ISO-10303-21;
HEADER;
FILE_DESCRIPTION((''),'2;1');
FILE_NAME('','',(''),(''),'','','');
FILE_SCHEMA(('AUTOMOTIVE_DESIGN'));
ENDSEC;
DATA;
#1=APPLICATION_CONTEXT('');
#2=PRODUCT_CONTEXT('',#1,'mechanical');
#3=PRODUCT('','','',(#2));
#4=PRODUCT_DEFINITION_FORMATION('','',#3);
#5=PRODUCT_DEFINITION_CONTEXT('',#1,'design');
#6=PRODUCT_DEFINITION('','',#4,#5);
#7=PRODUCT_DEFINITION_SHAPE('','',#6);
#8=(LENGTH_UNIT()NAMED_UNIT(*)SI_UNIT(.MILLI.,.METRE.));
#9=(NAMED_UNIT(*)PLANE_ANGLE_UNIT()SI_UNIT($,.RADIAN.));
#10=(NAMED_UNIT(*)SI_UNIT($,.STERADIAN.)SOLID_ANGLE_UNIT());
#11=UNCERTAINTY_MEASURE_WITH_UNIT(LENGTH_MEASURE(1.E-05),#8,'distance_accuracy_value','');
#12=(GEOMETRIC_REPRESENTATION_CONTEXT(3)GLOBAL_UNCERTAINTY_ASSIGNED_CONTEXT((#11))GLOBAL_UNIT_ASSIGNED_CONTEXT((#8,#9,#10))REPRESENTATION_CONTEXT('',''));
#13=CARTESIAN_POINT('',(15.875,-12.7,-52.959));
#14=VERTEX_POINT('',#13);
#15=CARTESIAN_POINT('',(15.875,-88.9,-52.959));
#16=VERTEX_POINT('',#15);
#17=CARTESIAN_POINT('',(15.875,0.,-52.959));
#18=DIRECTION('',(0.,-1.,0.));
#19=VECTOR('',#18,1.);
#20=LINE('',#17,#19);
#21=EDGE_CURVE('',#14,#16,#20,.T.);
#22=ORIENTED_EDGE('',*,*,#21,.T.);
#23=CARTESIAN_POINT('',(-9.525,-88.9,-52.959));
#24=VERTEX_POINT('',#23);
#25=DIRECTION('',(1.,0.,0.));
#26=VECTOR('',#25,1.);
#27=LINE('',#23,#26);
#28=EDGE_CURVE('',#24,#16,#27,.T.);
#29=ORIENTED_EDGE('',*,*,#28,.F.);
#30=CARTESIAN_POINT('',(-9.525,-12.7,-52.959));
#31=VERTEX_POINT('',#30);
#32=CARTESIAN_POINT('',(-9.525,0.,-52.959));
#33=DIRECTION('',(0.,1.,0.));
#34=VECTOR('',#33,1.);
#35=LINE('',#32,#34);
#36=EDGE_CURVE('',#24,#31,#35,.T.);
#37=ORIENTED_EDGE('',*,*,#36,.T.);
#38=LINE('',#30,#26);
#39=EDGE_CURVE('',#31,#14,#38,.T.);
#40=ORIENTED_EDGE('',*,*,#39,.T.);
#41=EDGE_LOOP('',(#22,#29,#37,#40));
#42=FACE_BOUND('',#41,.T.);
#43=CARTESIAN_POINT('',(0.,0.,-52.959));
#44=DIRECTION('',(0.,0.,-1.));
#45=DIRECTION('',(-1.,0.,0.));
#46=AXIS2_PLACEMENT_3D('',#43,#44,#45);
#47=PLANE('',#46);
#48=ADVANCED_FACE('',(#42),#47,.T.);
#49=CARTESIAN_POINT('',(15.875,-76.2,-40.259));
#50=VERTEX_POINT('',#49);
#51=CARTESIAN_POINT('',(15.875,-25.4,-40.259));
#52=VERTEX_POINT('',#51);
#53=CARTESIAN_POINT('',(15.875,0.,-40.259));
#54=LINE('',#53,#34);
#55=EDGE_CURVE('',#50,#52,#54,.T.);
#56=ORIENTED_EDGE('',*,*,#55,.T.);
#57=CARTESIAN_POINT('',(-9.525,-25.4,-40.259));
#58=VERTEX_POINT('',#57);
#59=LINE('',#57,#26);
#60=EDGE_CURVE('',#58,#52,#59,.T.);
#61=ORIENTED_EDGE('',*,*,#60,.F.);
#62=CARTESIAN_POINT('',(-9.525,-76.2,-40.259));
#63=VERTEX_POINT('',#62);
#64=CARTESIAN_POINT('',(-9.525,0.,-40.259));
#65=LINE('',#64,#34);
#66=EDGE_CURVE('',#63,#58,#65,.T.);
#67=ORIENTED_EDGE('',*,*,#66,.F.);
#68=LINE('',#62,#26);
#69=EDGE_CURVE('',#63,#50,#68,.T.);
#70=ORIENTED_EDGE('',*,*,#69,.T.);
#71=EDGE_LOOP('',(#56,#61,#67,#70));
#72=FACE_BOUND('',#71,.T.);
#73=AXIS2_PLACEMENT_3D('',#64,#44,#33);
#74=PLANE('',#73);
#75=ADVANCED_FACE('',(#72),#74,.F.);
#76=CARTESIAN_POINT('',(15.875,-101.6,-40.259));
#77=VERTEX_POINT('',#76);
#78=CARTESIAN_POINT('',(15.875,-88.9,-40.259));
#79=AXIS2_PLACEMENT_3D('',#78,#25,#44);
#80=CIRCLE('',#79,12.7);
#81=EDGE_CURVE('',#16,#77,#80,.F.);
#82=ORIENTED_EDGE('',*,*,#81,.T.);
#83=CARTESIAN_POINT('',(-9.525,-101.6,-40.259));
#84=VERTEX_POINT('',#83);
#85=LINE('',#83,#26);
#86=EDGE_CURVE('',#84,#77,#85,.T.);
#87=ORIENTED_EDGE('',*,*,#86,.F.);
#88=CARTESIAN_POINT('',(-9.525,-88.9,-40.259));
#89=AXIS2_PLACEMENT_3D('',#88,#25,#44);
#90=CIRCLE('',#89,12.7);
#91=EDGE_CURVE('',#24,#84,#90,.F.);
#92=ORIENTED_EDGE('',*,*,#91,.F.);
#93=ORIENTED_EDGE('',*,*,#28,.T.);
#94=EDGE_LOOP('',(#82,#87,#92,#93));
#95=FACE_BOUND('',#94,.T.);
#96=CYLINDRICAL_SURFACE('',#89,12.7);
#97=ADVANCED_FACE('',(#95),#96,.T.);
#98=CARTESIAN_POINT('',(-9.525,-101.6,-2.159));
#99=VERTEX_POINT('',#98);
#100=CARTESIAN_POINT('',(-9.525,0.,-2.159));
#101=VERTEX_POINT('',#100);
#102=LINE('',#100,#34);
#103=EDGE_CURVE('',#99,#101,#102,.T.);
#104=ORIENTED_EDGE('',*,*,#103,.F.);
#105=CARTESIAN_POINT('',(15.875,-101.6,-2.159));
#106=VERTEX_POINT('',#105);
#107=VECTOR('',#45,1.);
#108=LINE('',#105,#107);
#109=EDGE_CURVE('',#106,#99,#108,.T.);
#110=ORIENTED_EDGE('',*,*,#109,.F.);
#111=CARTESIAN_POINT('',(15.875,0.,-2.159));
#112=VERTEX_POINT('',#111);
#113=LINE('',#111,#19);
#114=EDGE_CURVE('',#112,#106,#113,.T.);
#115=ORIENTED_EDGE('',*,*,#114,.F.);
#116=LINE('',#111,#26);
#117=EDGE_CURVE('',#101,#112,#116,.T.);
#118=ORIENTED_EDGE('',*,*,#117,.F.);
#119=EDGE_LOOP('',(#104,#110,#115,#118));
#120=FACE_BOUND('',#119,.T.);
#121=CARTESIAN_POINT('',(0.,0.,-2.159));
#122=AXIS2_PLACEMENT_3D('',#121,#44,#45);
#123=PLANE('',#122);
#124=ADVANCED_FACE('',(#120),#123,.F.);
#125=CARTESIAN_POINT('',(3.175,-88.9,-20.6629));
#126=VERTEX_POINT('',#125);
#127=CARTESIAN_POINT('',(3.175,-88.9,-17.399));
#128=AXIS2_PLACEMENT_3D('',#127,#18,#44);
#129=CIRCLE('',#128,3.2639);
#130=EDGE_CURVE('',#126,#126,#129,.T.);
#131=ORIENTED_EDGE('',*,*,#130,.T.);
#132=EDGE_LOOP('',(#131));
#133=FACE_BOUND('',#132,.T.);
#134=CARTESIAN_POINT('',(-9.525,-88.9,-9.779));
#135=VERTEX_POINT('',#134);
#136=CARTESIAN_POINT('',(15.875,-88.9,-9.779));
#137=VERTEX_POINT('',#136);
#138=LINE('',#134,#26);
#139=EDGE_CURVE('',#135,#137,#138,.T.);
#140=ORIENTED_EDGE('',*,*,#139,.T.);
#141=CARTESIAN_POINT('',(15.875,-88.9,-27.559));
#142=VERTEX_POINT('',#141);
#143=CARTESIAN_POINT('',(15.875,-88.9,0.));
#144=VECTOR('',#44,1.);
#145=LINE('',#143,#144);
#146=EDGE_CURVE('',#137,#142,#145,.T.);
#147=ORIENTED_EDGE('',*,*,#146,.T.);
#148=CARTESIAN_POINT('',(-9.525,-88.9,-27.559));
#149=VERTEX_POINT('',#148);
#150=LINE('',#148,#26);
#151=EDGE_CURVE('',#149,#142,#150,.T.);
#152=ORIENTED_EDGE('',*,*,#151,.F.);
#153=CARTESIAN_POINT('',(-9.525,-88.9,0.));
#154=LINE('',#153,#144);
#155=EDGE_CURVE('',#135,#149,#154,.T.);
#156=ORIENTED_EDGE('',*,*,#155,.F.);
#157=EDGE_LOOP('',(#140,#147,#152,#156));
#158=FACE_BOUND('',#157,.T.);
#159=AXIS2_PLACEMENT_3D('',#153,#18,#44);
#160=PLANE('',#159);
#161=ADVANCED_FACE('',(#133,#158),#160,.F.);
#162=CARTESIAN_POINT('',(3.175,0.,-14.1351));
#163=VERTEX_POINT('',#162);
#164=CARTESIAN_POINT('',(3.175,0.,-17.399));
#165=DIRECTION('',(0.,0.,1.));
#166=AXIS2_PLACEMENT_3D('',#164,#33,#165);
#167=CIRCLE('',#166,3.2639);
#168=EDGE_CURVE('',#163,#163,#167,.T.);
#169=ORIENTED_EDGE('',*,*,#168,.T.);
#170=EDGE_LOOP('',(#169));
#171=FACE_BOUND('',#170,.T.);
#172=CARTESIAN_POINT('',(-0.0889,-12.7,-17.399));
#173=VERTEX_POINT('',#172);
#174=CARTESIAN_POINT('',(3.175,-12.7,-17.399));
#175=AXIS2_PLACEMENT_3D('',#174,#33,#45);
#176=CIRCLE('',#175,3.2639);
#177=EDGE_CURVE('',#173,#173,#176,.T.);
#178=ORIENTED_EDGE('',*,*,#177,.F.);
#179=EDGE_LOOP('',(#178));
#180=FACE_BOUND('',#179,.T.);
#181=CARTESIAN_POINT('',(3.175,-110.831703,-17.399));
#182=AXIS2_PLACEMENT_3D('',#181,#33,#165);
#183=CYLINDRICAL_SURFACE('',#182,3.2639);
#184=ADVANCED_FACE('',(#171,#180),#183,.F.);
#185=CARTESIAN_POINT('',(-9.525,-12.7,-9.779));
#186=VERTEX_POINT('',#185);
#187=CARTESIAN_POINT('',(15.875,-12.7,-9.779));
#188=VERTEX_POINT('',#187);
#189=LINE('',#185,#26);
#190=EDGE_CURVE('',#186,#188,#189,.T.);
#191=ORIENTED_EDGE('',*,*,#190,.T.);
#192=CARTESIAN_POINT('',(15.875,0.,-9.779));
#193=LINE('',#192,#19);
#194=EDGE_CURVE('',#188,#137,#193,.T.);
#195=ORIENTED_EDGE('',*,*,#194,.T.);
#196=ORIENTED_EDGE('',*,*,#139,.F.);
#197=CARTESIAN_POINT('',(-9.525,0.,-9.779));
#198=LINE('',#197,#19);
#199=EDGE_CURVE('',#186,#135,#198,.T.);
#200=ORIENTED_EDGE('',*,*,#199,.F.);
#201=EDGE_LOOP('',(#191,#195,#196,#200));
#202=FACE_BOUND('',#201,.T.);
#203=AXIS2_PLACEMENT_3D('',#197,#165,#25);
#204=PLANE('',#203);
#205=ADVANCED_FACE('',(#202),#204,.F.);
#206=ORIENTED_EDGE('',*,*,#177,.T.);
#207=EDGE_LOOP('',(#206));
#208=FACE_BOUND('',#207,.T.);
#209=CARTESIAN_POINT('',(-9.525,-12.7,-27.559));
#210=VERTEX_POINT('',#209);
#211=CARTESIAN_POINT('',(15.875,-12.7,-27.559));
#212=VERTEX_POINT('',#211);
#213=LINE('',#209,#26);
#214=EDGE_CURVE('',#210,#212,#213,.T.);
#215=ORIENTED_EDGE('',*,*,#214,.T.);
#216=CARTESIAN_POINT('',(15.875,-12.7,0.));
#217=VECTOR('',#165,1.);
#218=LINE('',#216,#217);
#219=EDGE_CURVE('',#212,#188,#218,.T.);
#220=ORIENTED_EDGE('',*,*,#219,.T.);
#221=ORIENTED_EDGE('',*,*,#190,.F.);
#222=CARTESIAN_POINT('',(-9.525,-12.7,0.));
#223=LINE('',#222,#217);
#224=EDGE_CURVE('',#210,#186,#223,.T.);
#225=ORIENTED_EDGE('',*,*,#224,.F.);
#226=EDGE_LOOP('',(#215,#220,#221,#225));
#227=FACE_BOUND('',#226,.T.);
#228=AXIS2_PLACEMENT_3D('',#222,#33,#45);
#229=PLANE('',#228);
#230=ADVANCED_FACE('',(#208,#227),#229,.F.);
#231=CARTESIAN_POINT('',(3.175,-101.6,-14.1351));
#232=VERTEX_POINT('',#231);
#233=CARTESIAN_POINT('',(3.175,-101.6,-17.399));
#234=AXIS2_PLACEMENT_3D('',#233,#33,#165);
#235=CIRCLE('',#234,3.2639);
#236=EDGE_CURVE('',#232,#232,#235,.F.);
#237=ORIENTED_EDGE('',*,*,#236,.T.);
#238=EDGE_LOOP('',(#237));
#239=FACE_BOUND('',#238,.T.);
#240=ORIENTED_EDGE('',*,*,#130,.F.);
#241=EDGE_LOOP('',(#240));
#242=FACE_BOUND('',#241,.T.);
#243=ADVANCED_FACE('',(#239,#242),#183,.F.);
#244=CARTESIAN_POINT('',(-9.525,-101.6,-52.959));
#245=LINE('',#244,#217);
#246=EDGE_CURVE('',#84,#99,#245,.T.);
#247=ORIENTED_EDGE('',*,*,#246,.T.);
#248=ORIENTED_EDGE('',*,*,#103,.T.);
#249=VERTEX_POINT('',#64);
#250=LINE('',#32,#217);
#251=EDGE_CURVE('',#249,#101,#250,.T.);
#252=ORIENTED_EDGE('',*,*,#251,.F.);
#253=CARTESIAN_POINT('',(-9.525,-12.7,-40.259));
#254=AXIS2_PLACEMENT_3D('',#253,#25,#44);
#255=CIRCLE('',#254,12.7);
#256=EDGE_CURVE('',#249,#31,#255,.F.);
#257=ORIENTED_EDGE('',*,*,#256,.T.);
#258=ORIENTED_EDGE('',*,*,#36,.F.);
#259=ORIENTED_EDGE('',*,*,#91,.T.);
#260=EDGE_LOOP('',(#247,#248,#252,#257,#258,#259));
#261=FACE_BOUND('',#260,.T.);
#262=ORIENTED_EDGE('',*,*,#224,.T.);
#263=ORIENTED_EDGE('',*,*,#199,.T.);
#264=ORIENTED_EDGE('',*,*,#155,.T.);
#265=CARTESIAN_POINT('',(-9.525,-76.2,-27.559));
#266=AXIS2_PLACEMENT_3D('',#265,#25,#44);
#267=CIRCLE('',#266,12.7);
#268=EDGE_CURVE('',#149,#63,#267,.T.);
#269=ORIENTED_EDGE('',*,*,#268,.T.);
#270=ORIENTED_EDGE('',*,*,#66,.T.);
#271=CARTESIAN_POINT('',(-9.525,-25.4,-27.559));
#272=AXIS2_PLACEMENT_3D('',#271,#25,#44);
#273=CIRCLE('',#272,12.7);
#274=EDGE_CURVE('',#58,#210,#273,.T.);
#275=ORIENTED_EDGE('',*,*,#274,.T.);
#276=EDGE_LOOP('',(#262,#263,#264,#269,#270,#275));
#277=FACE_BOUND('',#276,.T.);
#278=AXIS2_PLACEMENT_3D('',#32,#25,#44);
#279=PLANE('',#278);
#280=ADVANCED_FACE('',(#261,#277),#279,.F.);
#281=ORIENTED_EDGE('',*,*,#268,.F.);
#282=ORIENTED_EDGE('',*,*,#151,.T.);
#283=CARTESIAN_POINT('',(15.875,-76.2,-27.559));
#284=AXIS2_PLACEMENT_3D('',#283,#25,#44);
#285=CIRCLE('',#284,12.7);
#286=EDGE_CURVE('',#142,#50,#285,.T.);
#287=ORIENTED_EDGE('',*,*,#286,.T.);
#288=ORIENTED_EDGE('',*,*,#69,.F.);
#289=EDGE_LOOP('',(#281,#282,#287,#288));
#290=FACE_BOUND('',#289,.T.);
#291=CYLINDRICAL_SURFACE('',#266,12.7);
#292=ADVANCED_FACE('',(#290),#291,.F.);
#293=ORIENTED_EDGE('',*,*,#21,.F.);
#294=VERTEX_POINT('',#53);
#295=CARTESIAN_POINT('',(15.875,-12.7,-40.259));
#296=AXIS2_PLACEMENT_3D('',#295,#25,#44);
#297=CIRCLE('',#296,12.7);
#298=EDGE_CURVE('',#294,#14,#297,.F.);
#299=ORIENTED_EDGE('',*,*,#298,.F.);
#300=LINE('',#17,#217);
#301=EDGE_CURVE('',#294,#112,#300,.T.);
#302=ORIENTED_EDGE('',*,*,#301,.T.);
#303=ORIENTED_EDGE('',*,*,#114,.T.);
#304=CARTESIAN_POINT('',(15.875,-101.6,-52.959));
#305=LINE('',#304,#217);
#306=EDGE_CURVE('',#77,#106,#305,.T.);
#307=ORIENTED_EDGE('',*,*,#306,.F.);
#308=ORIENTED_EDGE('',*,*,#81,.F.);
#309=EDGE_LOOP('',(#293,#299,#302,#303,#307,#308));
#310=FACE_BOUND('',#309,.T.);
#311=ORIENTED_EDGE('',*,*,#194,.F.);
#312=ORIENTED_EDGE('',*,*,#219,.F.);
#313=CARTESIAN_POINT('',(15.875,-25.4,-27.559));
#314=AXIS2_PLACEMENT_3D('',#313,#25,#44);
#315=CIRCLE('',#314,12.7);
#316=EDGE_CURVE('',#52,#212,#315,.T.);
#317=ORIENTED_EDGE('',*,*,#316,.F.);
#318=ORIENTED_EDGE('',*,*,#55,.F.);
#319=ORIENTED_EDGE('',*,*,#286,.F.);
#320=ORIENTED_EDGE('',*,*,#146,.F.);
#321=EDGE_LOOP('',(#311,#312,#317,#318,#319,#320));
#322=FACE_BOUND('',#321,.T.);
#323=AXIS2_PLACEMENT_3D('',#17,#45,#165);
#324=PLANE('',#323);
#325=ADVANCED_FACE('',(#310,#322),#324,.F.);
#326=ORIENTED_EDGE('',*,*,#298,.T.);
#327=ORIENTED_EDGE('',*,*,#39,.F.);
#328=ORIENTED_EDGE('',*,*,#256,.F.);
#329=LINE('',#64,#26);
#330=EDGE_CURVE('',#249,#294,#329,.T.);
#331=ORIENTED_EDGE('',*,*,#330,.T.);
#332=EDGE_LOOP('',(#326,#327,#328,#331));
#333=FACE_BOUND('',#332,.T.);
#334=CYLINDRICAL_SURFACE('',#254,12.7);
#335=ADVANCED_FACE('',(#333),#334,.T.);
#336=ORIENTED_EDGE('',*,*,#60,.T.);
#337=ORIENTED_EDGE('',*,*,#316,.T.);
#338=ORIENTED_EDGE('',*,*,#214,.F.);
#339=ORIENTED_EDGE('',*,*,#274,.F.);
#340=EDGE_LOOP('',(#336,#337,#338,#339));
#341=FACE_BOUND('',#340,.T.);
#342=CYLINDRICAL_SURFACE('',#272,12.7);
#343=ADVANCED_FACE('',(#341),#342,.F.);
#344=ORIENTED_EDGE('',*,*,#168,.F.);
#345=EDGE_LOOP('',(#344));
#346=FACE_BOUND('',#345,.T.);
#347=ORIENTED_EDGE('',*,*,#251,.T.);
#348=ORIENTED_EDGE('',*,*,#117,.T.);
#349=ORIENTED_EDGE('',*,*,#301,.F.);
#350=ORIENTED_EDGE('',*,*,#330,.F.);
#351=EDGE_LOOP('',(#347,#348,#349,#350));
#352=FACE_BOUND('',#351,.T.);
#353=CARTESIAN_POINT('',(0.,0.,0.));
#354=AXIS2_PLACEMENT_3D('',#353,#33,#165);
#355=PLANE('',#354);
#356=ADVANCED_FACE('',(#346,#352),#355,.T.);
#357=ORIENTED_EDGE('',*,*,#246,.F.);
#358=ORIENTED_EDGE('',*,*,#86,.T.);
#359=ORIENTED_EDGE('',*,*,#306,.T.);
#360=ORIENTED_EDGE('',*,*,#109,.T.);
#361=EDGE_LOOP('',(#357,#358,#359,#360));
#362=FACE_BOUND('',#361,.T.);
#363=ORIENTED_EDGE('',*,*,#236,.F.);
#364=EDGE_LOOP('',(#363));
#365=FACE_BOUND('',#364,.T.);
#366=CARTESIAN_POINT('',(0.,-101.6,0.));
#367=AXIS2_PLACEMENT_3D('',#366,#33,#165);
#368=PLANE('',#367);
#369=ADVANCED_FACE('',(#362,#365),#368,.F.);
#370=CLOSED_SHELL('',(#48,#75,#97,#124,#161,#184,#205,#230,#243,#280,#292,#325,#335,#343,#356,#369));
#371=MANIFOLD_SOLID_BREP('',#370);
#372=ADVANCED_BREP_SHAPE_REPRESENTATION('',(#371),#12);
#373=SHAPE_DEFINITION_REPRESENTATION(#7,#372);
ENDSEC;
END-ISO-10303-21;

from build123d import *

# Parameters (mm, degrees)
BOSS_EXTRUDE1_DEPTH     = 101.6
SKETCH3_W               = 25.4
SKETCH3_H               = 101.6
BOSS_EXTRUDE2_DEPTH     = 50.8
CUT_EXTRUDE2_DEPTH      = 25.4
SKETCH6_R               = 3.2639
CUT_EXTRUDE3_DEPTH      = 101.6
SKETCH7_W               = 15.875
SKETCH7_H               = 7.928770879
CUT_EXTRUDE4_DEPTH      = 1
CUT_EXTRUDE4_DEPTH_BACK = 102.6


with BuildPart() as part:
    # Sketch2 → Boss-Extrude1 (new body)
    with BuildSketch(Plane(origin=(0, 0, 0), x_dir=(1, 0, 0), z_dir=(0, 1, 0))):
        Polygon((0, 2.159), (0, 0), (-3.937, 0), (0, -5.769770879), (6.35, -5.769770879), (10.287, 0), (6.35, 0), (6.35, 2.159), align=None)
    extrude(amount=-BOSS_EXTRUDE1_DEPTH)

    # Sketch3 → Boss-Extrude2 (add)
    with BuildSketch(Plane(origin=(0, 0, -2.159), x_dir=(-1, 0, 0), z_dir=(0, 0, -1))):
        with Locations((-3.175, -50.8)):
            Rectangle(SKETCH3_W, SKETCH3_H)
    extrude(amount=BOSS_EXTRUDE2_DEPTH)

    # Sketch5 → Cut-Extrude2 (cut)
    with BuildSketch(Plane(origin=(15.875, 0, 0), x_dir=(0, 0, -1), z_dir=(1, 0, 0))):
        with BuildLine():
            ThreePointArc((52.959, -88.9), (49.239256121, -97.880256121), (40.259, -101.6))
            Line((40.259, -101.6), (52.959, -101.6))
            Line((52.959, -101.6), (52.959, -88.9))
        make_face()
        with BuildLine():
            Line((52.959, 0), (40.259, 0))
            ThreePointArc((40.259, 0), (49.239256121, -3.719743879), (52.959, -12.7))
            Line((52.959, -12.7), (52.959, 0))
        make_face()
        with BuildLine():
            Line((40.259, -76.2), (40.259, -25.4))
            ThreePointArc((40.259, -25.4), (36.539256121, -16.419743879), (27.559, -12.7))
            Line((27.559, -12.7), (9.779, -12.7))
            Line((9.779, -12.7), (9.779, -88.9))
            Line((9.779, -88.9), (27.559, -88.9))
            ThreePointArc((27.559, -88.9), (36.539256121, -85.180256121), (40.259, -76.2))
        make_face()
    extrude(amount=-CUT_EXTRUDE2_DEPTH, mode=Mode.SUBTRACT)

    # Sketch6 → Cut-Extrude3 (cut)
    with BuildSketch(Plane(origin=(0, 0, 0), x_dir=(1, 0, 0), z_dir=(0, 1, 0))):
        with Locations((3.175, 17.399)):
            Circle(SKETCH6_R)
    extrude(amount=-CUT_EXTRUDE3_DEPTH, mode=Mode.SUBTRACT)

    # Sketch7 → Cut-Extrude4 (cut, two sides)
    with BuildSketch(Plane(origin=(0, 0, 0), x_dir=(1, 0, 0), z_dir=(0, 1, 0))) as cut_extrude4_sk:
        with Locations((3.175, -1.805385439)):
            Rectangle(SKETCH7_W, SKETCH7_H)
    extrude(amount=CUT_EXTRUDE4_DEPTH, mode=Mode.SUBTRACT)
    extrude(cut_extrude4_sk.sketch, amount=-CUT_EXTRUDE4_DEPTH_BACK, mode=Mode.SUBTRACT)


solid = part.part
